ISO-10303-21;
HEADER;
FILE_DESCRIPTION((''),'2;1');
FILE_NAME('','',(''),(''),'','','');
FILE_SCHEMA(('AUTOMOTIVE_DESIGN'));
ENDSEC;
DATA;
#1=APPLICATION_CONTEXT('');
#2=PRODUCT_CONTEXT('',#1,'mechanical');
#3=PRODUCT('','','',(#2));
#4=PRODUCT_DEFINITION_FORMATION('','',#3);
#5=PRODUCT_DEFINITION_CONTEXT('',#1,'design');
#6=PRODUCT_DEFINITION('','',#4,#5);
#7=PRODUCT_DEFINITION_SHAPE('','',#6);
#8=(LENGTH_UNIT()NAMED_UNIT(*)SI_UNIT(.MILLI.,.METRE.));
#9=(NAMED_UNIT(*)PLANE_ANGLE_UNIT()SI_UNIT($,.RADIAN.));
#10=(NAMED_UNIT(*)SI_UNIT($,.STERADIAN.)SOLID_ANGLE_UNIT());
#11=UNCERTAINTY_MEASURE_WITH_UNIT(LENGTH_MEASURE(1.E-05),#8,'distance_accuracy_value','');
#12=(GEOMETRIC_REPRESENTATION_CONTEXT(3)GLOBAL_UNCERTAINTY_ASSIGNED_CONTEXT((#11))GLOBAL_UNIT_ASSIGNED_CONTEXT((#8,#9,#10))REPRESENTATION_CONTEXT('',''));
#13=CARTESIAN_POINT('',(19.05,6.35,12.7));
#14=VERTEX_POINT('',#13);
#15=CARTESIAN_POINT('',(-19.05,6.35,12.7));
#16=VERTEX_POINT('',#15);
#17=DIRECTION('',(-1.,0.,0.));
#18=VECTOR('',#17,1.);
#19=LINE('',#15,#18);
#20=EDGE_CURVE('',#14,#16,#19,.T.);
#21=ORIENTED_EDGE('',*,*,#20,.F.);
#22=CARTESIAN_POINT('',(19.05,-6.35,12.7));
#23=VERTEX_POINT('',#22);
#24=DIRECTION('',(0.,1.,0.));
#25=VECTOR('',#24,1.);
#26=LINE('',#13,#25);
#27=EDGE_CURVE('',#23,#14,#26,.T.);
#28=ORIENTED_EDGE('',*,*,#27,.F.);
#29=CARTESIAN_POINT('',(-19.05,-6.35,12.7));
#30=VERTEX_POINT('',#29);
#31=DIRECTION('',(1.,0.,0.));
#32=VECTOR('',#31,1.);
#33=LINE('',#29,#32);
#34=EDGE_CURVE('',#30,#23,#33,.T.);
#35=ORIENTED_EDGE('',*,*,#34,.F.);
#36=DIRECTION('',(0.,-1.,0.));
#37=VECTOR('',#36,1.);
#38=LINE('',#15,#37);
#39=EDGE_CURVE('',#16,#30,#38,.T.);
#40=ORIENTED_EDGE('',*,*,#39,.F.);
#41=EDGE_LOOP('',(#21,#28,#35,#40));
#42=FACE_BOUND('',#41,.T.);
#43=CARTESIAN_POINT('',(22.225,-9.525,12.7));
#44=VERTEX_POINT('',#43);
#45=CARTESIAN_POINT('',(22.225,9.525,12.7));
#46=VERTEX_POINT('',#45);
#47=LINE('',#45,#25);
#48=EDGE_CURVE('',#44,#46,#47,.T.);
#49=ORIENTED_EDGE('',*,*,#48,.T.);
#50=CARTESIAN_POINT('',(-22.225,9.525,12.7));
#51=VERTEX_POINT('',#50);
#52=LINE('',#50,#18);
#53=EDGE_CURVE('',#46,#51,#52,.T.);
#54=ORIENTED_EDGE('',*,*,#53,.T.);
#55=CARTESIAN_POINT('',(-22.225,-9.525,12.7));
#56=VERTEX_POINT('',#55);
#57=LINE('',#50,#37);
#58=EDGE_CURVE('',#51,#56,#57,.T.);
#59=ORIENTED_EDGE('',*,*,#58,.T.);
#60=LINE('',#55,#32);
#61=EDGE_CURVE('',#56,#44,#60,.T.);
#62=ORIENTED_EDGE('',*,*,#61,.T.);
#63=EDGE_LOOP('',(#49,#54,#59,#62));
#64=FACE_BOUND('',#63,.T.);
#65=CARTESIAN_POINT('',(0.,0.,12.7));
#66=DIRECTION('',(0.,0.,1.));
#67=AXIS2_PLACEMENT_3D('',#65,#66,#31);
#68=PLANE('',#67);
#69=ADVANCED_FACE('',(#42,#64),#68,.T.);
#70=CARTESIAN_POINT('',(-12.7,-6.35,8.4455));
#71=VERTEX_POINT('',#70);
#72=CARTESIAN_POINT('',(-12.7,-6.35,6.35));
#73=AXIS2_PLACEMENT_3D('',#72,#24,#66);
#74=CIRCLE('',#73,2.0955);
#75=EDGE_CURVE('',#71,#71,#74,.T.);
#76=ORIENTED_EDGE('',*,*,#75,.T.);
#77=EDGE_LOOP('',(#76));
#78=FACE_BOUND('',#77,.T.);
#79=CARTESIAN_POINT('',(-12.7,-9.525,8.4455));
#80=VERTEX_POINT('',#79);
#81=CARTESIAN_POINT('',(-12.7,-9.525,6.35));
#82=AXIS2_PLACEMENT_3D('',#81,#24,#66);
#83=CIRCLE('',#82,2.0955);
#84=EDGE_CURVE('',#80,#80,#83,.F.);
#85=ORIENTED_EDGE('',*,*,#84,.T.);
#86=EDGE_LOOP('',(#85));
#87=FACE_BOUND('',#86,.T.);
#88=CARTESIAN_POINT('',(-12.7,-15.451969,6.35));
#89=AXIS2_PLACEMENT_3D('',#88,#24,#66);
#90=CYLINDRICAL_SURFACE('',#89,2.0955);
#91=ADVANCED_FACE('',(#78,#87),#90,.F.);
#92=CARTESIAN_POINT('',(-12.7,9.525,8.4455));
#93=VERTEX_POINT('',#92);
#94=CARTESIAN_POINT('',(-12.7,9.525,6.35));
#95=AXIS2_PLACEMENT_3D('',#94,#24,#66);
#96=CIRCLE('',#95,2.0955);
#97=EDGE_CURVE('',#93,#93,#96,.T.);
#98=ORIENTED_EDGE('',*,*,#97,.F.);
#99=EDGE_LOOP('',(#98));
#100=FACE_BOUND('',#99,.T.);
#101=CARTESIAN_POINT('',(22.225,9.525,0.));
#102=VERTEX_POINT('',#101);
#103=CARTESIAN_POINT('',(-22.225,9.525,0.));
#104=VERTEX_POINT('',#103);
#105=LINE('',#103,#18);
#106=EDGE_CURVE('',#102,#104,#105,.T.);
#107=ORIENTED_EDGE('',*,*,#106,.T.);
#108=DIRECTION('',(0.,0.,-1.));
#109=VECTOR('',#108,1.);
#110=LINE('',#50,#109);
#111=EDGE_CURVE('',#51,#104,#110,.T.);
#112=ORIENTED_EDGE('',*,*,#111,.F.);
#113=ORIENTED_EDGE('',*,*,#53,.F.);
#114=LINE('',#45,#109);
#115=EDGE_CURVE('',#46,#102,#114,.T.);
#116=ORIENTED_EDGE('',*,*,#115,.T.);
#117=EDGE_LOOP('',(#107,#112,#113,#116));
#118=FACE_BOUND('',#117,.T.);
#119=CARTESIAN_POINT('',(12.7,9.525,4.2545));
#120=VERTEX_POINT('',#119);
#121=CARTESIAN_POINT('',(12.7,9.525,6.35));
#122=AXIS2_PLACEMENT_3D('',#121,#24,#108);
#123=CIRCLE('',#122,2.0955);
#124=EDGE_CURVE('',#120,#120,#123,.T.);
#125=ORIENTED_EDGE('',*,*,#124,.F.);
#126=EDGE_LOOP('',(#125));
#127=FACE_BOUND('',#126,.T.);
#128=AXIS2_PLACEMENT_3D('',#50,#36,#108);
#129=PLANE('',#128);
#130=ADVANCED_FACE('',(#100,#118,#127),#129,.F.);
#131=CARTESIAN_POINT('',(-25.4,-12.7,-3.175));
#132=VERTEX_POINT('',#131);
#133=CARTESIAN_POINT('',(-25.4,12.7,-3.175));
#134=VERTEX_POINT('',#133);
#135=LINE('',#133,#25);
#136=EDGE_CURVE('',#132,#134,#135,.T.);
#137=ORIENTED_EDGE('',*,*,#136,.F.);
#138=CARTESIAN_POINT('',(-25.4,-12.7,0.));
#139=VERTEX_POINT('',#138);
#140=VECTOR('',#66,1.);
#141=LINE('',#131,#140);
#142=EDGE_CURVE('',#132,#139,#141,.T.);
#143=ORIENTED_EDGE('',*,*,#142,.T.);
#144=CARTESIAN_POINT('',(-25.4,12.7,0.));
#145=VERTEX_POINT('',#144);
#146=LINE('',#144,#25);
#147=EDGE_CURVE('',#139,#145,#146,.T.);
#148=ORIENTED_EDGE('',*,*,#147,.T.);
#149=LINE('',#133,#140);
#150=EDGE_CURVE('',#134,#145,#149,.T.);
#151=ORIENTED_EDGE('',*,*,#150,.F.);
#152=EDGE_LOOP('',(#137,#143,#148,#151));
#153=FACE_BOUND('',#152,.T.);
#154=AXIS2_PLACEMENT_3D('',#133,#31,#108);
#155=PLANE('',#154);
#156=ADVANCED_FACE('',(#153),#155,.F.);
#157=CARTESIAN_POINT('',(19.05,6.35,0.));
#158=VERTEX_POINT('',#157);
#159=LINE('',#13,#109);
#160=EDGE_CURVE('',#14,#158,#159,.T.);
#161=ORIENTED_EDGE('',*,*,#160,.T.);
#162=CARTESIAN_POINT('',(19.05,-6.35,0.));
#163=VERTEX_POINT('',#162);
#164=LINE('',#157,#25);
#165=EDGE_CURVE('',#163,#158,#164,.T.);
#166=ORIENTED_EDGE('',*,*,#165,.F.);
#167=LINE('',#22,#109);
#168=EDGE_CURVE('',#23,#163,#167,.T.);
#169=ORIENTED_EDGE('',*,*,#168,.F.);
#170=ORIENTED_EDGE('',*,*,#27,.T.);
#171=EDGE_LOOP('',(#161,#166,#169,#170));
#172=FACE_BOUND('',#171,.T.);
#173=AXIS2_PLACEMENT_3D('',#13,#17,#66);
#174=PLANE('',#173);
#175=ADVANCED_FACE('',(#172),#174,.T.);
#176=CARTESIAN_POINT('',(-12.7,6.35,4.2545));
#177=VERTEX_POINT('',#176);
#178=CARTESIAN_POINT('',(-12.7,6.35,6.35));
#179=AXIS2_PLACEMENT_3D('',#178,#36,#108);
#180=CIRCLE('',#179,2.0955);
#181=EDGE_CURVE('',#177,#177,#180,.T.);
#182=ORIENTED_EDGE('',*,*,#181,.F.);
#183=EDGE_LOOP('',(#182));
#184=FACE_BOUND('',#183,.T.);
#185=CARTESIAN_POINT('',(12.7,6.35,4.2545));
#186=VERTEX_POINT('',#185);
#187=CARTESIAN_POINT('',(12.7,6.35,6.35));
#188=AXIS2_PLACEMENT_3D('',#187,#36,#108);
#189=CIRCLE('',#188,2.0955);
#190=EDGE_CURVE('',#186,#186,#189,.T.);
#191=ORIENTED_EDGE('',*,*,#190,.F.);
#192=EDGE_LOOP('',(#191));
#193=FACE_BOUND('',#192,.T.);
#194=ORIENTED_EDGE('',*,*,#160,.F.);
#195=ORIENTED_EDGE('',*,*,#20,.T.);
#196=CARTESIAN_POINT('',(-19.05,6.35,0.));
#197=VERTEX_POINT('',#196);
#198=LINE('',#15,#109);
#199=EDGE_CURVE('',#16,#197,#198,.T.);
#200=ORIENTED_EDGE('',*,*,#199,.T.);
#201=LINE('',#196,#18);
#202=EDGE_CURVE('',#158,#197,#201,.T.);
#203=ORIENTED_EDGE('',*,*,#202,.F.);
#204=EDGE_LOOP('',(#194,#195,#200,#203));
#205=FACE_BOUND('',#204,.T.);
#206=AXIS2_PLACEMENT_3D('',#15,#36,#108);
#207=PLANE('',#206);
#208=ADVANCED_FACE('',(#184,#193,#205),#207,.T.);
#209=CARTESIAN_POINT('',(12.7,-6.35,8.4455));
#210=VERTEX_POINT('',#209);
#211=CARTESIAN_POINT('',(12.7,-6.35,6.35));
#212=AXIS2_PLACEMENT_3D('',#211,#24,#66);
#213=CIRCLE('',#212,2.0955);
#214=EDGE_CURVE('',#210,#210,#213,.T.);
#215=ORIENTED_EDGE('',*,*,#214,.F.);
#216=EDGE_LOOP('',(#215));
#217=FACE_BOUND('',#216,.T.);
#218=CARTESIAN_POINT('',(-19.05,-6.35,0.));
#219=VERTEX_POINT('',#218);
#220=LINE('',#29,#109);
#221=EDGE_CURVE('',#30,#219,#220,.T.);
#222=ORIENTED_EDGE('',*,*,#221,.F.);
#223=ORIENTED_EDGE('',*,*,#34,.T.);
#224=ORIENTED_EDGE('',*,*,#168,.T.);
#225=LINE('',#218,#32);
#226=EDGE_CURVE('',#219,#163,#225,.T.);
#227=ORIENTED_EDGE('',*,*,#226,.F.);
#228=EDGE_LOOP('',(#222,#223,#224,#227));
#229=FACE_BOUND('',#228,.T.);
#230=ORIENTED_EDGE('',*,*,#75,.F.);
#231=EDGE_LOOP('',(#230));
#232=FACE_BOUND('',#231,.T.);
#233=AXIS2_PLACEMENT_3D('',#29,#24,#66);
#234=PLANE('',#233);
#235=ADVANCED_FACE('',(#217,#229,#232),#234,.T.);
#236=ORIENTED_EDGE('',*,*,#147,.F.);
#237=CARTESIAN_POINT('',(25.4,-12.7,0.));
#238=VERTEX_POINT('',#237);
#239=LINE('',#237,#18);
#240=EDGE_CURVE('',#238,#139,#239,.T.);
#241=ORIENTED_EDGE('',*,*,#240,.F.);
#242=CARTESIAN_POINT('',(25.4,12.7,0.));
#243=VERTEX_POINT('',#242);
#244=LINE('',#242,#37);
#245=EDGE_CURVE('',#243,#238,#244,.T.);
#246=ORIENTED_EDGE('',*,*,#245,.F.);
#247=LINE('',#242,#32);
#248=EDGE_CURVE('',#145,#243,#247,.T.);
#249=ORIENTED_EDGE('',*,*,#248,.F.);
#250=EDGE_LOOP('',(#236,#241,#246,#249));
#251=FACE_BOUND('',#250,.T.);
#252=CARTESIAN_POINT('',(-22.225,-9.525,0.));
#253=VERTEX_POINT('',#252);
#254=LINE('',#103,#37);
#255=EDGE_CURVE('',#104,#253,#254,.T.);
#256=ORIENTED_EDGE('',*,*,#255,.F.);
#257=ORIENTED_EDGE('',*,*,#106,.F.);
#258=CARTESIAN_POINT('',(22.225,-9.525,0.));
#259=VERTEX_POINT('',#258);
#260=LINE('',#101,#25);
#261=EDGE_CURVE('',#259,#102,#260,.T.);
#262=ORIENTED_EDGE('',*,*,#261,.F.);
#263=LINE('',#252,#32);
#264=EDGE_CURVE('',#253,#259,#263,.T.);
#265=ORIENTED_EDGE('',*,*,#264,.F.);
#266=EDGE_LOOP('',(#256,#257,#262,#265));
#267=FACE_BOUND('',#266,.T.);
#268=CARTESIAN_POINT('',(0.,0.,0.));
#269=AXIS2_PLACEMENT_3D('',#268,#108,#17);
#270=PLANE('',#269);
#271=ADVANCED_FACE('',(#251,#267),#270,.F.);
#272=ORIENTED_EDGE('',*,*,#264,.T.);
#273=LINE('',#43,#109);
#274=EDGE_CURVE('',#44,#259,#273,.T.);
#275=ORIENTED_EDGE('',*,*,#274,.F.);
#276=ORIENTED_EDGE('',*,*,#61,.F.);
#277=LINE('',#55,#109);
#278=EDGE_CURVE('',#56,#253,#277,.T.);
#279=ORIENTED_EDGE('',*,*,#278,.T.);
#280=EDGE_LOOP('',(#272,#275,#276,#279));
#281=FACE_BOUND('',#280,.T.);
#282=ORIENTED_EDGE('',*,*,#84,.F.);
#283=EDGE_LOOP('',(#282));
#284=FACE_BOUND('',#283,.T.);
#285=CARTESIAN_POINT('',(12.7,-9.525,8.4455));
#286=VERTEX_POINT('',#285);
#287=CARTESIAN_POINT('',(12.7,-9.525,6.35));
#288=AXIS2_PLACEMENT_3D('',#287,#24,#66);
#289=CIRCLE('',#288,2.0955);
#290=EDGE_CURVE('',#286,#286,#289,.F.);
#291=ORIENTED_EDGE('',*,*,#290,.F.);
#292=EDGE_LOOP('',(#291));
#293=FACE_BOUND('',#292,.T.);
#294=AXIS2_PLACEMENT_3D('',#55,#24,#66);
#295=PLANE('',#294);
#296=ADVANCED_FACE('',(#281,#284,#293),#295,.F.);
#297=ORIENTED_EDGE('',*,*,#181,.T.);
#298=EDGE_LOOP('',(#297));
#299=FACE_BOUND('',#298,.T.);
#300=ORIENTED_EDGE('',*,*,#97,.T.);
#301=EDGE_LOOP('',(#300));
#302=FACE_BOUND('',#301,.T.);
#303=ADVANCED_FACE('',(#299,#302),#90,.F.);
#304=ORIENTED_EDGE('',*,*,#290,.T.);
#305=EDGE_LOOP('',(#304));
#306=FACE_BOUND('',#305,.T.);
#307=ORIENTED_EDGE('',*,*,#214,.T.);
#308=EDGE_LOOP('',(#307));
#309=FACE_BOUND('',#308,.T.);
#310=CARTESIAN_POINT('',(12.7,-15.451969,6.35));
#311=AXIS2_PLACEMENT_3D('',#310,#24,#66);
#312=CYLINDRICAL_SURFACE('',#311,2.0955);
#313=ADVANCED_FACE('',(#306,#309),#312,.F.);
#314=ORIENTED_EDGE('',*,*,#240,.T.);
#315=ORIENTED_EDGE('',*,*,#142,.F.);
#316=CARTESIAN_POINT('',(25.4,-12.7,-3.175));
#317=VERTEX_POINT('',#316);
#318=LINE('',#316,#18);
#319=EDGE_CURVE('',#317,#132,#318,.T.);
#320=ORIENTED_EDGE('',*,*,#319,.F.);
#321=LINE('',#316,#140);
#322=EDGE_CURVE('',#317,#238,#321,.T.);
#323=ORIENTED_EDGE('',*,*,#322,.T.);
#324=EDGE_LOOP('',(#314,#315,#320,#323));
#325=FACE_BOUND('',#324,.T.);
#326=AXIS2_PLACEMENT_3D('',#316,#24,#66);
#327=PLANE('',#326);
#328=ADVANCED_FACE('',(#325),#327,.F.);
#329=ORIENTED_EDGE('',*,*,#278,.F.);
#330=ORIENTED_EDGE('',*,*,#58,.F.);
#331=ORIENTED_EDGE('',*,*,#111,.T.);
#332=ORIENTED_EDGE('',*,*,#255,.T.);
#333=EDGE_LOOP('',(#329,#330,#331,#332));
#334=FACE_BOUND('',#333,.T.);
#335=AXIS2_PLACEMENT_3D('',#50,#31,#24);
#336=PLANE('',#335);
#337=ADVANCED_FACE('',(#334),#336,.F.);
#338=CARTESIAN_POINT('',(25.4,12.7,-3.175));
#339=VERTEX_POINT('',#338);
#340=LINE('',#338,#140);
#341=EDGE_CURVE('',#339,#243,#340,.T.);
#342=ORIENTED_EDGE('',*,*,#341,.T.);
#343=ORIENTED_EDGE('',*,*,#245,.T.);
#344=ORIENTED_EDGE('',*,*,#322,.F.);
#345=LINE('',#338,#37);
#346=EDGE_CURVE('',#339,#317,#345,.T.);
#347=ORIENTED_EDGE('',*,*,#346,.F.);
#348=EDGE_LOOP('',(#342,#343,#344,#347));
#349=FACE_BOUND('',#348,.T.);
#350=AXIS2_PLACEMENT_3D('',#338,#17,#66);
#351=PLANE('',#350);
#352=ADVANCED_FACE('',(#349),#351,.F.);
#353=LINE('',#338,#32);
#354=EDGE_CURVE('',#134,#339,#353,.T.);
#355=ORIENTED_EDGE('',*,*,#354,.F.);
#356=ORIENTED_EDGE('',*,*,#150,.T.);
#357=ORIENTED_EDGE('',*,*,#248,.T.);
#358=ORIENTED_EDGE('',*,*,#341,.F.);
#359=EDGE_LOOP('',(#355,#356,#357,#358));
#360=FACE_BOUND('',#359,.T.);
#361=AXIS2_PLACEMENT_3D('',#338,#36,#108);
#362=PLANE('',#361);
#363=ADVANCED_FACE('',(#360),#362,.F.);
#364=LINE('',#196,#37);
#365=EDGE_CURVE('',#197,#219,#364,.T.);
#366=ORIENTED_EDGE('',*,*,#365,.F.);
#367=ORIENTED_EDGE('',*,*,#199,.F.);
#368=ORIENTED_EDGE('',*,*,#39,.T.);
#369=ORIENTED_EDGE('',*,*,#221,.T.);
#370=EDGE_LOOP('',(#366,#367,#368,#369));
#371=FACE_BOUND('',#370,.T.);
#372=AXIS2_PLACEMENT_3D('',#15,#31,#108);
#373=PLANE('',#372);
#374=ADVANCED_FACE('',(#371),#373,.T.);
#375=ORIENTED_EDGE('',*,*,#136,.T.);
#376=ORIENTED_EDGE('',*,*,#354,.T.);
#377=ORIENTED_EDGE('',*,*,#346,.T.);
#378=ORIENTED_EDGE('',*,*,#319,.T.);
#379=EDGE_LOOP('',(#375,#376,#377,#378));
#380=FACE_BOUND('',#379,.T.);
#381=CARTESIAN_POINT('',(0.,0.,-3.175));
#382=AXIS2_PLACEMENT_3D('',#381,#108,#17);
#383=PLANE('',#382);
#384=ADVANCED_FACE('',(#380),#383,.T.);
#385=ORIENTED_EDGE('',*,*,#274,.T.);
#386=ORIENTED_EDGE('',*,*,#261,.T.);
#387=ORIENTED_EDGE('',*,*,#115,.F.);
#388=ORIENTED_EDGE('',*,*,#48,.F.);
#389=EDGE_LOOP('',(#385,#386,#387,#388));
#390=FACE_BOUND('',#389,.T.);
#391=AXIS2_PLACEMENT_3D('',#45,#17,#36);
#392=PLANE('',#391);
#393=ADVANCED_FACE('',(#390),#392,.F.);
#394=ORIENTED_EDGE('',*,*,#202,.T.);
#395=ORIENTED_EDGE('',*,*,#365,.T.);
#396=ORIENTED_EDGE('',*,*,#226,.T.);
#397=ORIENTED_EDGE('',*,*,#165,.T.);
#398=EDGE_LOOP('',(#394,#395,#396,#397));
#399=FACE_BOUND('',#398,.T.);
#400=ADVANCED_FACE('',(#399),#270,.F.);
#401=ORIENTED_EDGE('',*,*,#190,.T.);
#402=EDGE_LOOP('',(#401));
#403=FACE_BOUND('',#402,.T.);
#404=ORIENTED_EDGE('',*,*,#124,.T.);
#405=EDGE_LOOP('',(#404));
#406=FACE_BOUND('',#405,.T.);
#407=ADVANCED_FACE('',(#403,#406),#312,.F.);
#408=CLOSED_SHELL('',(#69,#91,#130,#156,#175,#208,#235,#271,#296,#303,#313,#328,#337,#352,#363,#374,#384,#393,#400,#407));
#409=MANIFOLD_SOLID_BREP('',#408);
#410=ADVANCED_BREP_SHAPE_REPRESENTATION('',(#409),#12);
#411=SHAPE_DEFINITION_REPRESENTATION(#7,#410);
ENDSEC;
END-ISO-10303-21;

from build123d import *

# Parameters (mm, degrees)
SKETCH1_W           = 44.45
SKETCH1_H           = 19.05
SKETCH1_W_2         = 38.1
SKETCH1_H_2         = 12.7
BOSS_EXTRUDE1_DEPTH = 12.7
CUT_EXTRUDE1_REACH  = 33.908
SKETCH2_R           = 2.0955
SKETCH3_W           = 50.8
SKETCH3_H           = 25.4
BOSS_EXTRUDE2_DEPTH = 3.175


with BuildPart() as part:
    # Sketch1 → Boss-Extrude1 (new body)
    with BuildSketch(Plane.XY):
        Rectangle(SKETCH1_W, SKETCH1_H)
        Rectangle(SKETCH1_W_2, SKETCH1_H_2, mode=Mode.SUBTRACT)
    extrude(amount=BOSS_EXTRUDE1_DEPTH)

    # Cut-Extrude1: up to this face of the body (flat: up to its plane)
    cut_extrude1_end = Plane(part.part.faces().sort_by_distance((0, -9.525, 6.35))[0])
    # Sketch2 → Cut-Extrude1 (cut, up to the picked face)
    with BuildSketch(Plane(origin=(0, 9.525, 0), x_dir=(1, 0, 0), z_dir=(0, 1, 0)), mode=Mode.PRIVATE) as cut_extrude1_sk1:
        with Locations(Location((-12.7, -6.35, 0), (0, 0, 270))):
            Circle(SKETCH2_R)
    cut_extrude1_tool1 = split(extrude(cut_extrude1_sk1.sketch, amount=-CUT_EXTRUDE1_REACH, mode=Mode.PRIVATE), bisect_by=cut_extrude1_end, keep=Keep.BOTH, mode=Mode.PRIVATE)
    # Sketch2 → Cut-Extrude1 (cut, up to the picked face)
    with BuildSketch(Plane(origin=(0, 9.525, 0), x_dir=(1, 0, 0), z_dir=(0, 1, 0)), mode=Mode.PRIVATE) as cut_extrude1_sk2:
        with Locations(Location((12.7, -6.35, 0), (0, 0, 90))):
            Circle(SKETCH2_R)
    cut_extrude1_tool2 = split(extrude(cut_extrude1_sk2.sketch, amount=-CUT_EXTRUDE1_REACH, mode=Mode.PRIVATE), bisect_by=cut_extrude1_end, keep=Keep.BOTH, mode=Mode.PRIVATE)
    add(cut_extrude1_tool1.solids().sort_by(Axis((-12.7, 9.525, 6.35), (0, -1, 0)))[0], mode=Mode.SUBTRACT)
    add(cut_extrude1_tool2.solids().sort_by(Axis((12.7, 9.525, 6.35), (0, -1, 0)))[0], mode=Mode.SUBTRACT)

    # Sketch3 → Boss-Extrude2 (add)
    with BuildSketch(Plane(origin=(0, 0, 0), x_dir=(-1, 0, 0), z_dir=(0, 0, -1))):
        Rectangle(SKETCH3_W, SKETCH3_H)
    extrude(amount=BOSS_EXTRUDE2_DEPTH)


solid = part.part
